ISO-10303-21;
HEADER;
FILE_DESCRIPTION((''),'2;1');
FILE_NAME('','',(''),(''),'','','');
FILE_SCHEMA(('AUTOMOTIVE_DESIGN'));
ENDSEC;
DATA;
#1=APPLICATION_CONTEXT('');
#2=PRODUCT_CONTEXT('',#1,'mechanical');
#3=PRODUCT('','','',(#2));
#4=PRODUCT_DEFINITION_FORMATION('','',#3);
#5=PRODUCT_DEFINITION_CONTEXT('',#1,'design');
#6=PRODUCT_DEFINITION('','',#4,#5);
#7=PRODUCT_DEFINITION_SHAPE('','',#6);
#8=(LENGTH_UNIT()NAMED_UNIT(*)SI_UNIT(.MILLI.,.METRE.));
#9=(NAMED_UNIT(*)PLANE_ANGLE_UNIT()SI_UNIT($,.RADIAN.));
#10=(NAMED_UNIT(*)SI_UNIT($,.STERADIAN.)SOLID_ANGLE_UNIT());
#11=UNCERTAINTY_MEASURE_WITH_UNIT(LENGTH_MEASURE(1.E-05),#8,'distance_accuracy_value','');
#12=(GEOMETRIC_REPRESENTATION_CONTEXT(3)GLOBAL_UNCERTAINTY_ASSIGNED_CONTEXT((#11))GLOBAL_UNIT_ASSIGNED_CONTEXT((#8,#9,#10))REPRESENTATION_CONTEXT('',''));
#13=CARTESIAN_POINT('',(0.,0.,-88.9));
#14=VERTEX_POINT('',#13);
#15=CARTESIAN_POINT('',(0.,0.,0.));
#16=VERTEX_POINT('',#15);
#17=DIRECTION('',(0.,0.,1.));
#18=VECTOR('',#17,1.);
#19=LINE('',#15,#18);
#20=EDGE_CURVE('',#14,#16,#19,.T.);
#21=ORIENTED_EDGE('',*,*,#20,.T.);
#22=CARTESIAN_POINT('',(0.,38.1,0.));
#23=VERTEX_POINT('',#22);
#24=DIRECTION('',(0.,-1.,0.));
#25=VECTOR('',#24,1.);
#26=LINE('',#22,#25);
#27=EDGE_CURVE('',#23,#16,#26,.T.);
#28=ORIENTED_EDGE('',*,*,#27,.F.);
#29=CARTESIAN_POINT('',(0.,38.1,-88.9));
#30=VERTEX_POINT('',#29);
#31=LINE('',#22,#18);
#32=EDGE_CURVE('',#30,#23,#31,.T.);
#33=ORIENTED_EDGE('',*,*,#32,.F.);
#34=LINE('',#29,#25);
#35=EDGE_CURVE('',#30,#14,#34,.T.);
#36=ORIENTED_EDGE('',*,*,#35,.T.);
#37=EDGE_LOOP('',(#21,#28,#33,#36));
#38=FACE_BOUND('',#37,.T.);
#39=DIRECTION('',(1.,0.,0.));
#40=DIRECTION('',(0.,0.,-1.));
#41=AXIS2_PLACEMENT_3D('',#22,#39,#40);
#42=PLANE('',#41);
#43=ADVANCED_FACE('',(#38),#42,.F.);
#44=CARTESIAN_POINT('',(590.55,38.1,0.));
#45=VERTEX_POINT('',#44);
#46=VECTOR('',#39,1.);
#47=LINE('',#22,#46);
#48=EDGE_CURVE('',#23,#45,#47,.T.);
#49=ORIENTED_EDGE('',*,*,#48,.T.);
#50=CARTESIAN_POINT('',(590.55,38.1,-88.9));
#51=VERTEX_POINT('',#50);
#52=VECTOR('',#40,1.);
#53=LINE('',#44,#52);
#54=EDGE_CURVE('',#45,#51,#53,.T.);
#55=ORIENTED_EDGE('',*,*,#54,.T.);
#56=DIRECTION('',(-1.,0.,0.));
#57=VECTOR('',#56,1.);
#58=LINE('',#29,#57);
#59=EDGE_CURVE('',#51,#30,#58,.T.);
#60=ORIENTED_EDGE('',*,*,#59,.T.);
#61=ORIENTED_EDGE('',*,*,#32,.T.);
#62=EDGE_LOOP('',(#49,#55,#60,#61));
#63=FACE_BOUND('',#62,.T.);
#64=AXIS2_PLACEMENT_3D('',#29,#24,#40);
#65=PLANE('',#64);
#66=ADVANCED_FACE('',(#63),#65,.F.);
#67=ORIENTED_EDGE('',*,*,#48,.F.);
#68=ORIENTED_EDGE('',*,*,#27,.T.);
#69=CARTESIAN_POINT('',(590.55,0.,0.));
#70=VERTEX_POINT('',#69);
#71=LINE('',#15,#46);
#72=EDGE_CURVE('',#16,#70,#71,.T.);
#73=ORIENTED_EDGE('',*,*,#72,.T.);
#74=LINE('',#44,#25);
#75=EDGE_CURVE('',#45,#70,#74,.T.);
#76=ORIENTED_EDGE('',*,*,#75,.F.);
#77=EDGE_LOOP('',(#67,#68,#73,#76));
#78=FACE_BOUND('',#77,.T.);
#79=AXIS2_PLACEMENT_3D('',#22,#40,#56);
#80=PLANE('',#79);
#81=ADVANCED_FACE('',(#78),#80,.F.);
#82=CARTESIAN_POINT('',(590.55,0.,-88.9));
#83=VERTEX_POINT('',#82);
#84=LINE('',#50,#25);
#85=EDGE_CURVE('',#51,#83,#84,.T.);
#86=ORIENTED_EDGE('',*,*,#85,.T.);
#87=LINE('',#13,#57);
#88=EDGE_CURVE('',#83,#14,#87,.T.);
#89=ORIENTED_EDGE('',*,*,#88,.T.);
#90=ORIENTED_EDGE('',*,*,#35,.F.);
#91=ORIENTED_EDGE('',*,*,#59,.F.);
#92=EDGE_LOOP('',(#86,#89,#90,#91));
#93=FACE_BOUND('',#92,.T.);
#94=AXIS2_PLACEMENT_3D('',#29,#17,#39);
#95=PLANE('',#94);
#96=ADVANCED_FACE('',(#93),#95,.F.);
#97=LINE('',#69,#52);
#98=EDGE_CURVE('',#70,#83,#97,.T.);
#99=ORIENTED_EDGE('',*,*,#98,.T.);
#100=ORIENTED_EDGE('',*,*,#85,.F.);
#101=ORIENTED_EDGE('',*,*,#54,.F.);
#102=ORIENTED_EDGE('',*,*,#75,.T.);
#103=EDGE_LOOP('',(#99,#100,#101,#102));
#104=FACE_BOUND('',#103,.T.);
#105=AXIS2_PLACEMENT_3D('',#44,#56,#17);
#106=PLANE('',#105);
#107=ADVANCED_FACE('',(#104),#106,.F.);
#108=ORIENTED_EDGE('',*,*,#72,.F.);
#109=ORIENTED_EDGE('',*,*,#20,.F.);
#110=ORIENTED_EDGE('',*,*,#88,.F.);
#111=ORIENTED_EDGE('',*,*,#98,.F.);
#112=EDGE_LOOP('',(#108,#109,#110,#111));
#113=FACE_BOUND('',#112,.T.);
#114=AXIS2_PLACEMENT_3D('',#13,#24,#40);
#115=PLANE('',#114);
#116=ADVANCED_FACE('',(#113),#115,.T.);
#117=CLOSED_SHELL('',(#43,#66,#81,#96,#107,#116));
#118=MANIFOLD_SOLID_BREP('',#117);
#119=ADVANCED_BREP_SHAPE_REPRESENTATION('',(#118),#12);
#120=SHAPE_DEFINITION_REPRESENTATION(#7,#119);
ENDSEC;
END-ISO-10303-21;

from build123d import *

# Parameters (mm, degrees)
SKETCH1_W           = 590.55
SKETCH1_H           = 88.9
BOSS_EXTRUDE1_DEPTH = 38.1


with BuildPart() as part:
    # Sketch1 → Boss-Extrude1 (new body)
    with BuildSketch(Plane(origin=(0, 0, 0), x_dir=(1, 0, 0), z_dir=(0, 1, 0))):
        with Locations((295.275, 44.45)):
            Rectangle(SKETCH1_W, SKETCH1_H)
    extrude(amount=BOSS_EXTRUDE1_DEPTH)


solid = part.part
